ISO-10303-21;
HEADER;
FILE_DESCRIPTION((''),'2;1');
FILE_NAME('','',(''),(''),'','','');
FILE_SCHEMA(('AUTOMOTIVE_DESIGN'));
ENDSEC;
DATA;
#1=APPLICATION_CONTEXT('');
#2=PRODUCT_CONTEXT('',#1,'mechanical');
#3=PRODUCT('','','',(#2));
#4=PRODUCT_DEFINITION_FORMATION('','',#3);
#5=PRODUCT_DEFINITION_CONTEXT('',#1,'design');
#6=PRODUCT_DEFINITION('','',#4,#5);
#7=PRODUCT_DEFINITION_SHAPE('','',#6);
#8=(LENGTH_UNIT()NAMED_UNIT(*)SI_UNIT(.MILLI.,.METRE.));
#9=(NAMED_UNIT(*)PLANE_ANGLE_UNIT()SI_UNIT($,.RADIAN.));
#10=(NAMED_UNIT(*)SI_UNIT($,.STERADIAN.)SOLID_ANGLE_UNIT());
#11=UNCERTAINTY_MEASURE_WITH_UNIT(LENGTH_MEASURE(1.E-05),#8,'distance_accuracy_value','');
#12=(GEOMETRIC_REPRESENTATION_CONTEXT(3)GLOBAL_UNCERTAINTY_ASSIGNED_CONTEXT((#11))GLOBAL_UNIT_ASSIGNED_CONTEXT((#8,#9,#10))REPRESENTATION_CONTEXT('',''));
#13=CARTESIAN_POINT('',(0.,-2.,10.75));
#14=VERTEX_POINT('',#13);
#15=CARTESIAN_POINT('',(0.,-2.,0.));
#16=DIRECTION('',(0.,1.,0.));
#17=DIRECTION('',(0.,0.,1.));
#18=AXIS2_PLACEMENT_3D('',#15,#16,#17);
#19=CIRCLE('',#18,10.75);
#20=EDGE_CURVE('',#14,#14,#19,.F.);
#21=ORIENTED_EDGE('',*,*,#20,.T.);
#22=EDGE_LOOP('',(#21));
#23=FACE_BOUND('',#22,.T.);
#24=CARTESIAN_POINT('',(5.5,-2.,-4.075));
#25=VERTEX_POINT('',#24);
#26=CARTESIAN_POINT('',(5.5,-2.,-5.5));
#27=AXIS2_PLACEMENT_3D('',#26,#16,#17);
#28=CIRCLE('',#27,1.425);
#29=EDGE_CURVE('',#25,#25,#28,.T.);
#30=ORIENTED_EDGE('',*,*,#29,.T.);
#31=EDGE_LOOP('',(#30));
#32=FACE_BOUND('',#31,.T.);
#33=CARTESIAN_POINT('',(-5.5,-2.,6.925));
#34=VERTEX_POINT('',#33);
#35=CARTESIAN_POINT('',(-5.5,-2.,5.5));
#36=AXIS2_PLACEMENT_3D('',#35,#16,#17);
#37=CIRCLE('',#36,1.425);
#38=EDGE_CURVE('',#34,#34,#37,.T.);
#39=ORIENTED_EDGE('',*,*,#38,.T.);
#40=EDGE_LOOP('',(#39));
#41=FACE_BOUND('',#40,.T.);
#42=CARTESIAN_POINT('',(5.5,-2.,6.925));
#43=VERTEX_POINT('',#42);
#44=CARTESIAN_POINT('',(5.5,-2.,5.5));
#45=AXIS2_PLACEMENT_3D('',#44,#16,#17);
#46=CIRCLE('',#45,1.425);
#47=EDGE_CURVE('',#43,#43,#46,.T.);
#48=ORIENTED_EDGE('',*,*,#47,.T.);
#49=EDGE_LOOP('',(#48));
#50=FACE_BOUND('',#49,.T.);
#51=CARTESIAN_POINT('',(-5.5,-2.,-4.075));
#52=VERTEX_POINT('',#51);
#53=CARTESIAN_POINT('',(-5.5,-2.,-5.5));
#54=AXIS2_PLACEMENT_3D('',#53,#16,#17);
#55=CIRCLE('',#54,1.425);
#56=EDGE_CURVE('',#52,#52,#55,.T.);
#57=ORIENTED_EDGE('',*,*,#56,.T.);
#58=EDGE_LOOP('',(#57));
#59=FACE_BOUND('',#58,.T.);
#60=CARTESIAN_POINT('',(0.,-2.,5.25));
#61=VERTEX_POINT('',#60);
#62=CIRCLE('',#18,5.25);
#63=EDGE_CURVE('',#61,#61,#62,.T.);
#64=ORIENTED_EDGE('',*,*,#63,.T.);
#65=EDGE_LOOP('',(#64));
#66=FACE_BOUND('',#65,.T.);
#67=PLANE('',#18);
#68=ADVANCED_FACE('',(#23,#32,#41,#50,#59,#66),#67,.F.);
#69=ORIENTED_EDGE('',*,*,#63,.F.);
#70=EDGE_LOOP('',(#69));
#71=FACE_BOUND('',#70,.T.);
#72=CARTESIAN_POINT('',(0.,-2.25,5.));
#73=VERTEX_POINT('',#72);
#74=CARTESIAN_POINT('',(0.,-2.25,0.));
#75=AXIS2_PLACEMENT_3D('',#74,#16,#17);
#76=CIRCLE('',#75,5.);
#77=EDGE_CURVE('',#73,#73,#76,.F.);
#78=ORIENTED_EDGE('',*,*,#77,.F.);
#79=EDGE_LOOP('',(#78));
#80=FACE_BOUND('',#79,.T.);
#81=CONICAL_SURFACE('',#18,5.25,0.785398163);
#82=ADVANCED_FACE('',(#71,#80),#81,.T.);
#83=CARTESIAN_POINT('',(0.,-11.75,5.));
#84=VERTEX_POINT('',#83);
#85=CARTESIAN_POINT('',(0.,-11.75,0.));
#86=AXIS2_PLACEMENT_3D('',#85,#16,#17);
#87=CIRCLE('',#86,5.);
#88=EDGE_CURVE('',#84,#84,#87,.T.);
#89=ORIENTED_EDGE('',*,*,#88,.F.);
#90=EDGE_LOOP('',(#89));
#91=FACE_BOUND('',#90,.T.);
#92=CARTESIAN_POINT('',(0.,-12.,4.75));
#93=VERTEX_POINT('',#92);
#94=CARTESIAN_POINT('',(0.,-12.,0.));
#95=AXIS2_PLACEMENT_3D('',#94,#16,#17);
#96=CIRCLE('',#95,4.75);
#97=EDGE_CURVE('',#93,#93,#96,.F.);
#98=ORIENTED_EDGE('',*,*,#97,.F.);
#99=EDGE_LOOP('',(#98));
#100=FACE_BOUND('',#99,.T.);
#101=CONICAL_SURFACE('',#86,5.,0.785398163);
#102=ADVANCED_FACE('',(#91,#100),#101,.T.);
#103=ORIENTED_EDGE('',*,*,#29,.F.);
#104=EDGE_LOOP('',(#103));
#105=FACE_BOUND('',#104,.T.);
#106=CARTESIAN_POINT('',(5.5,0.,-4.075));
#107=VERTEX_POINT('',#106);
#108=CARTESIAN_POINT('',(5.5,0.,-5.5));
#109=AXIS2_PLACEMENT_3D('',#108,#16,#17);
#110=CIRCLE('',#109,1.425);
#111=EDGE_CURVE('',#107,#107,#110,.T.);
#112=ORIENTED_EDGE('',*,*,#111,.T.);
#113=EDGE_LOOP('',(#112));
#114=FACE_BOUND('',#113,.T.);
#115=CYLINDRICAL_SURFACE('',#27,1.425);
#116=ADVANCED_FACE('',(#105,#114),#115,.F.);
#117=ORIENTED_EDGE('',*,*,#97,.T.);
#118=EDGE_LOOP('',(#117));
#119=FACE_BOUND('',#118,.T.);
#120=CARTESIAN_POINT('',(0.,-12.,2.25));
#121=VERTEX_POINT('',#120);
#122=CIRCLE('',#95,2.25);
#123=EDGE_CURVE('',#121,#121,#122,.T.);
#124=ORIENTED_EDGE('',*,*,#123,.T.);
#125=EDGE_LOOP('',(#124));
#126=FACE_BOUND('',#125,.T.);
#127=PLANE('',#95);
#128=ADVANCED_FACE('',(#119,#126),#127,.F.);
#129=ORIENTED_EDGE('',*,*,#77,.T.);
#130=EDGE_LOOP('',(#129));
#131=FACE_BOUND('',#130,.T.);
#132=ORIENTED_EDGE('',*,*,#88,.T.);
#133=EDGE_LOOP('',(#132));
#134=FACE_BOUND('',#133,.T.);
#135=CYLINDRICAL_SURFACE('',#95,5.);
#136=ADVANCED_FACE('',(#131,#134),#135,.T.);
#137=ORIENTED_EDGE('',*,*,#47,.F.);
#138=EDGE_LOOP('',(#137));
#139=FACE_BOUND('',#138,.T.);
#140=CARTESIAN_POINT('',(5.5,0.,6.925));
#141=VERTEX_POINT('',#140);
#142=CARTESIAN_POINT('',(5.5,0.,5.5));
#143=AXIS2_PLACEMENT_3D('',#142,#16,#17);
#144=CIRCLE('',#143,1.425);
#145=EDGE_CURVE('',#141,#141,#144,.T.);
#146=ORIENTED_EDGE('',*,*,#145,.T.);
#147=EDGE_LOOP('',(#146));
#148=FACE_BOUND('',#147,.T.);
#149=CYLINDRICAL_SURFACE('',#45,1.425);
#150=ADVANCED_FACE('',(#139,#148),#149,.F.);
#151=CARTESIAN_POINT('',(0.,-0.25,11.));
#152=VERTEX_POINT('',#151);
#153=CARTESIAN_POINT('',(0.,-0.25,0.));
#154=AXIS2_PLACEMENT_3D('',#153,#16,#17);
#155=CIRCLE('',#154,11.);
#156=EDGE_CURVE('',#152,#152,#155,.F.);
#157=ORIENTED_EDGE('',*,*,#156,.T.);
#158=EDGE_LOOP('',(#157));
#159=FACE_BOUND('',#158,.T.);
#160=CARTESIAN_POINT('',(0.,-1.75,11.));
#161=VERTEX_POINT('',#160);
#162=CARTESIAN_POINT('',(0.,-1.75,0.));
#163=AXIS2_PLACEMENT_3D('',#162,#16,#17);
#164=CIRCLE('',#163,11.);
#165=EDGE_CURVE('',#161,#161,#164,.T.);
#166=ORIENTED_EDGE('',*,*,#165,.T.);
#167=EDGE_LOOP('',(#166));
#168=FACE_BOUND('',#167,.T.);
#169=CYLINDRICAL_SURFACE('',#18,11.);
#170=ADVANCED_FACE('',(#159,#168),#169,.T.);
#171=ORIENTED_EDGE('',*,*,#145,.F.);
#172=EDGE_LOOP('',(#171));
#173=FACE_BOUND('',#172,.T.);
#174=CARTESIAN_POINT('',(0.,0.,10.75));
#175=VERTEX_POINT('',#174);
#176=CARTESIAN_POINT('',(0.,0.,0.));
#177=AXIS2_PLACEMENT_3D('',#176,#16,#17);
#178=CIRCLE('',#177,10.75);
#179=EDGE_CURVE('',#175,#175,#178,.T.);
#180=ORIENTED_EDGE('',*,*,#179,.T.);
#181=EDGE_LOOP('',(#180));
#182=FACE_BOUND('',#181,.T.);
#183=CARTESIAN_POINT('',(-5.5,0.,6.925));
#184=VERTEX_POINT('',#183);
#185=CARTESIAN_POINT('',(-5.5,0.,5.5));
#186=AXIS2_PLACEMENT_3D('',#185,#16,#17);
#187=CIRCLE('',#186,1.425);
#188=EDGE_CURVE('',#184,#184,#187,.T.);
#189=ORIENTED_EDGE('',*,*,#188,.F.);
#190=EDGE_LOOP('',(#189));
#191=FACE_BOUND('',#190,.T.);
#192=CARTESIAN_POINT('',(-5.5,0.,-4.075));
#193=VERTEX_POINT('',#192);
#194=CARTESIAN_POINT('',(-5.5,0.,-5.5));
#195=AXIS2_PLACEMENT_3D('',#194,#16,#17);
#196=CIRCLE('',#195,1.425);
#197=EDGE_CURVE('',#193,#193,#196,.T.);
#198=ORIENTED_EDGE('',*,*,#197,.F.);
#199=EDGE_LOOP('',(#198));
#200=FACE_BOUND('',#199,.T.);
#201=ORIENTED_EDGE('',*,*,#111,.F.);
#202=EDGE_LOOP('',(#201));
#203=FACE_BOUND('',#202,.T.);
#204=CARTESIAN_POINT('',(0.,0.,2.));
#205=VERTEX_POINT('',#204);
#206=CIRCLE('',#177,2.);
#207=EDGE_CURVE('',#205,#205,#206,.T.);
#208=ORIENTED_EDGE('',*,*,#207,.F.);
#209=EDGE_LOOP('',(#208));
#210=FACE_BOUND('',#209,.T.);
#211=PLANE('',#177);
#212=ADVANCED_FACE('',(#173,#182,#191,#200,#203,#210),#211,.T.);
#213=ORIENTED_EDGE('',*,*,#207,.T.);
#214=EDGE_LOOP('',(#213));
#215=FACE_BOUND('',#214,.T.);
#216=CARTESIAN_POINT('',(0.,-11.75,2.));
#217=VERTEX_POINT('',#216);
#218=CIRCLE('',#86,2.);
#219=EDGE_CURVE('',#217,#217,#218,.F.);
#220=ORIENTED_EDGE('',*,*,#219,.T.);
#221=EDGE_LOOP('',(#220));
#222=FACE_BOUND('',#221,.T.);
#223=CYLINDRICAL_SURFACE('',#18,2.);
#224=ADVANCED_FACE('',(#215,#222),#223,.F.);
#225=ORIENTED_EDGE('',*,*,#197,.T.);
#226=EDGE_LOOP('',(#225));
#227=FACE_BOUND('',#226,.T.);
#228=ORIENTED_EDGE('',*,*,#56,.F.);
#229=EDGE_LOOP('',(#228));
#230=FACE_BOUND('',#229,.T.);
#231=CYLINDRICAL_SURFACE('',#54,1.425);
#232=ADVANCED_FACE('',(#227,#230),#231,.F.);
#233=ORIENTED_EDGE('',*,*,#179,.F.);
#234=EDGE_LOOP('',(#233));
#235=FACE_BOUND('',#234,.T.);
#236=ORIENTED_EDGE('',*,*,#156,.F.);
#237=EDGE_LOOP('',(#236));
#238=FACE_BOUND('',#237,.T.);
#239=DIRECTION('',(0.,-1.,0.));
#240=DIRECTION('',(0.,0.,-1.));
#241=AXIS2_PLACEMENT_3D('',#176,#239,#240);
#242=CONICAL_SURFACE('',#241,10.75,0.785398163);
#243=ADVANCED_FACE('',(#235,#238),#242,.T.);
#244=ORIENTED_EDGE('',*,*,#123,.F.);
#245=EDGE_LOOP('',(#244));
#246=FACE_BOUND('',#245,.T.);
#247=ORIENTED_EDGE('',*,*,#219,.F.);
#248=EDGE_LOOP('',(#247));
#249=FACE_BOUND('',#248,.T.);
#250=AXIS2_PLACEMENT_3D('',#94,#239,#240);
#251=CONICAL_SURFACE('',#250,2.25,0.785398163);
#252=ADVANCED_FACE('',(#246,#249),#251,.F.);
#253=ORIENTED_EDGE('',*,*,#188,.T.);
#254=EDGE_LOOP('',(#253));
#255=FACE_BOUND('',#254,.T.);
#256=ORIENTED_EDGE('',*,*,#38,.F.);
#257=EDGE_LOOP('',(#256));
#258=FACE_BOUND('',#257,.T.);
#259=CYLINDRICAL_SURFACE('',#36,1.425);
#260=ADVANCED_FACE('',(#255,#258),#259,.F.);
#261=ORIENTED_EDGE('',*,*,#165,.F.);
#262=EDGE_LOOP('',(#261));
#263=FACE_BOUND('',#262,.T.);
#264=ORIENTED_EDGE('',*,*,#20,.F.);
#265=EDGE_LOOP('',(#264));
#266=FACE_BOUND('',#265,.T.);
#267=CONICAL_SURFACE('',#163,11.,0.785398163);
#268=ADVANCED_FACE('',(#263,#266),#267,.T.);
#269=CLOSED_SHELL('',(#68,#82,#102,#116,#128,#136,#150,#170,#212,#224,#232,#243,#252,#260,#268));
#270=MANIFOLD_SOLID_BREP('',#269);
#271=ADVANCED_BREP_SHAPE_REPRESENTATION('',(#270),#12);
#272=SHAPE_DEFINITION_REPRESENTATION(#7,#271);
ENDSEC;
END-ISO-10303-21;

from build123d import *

# Parameters (mm, degrees)
SKETCH1_R           = 11
SKETCH1_R_2         = 2
SKETCH1_R_3         = 1.425
BOSS_EXTRUDE1_DEPTH = 2
SKETCH1_3_R         = 5
SKETCH1_3_R_2       = 2
BOSS_EXTRUDE2_DEPTH = 12
CHAMFER1_SIZE       = 0.25


with BuildPart() as part:
    # Sketch1 → Boss-Extrude1 (new body)
    with BuildSketch(Plane(origin=(0, 0, 0), x_dir=(1, 0, 0), z_dir=(0, 1, 0))):
        Circle(SKETCH1_R)
        Circle(SKETCH1_R_2, mode=Mode.SUBTRACT)
        with Locations((-5.5, 5.5)):
            Circle(SKETCH1_R_3, mode=Mode.SUBTRACT)
        with Locations((5.5, 5.5)):
            Circle(SKETCH1_R_3, mode=Mode.SUBTRACT)
        with Locations((5.5, -5.5)):
            Circle(SKETCH1_R_3, mode=Mode.SUBTRACT)
        with Locations((-5.5, -5.5)):
            Circle(SKETCH1_R_3, mode=Mode.SUBTRACT)
    extrude(amount=-BOSS_EXTRUDE1_DEPTH)

    # Sketch1<3> → Boss-Extrude2 (add)
    with BuildSketch(Plane(origin=(0, 0, 0), x_dir=(1, 0, 0), z_dir=(0, 1, 0))):
        Circle(SKETCH1_3_R)
        Circle(SKETCH1_3_R_2, mode=Mode.SUBTRACT)
    extrude(amount=-BOSS_EXTRUDE2_DEPTH)

    # Chamfer1
    chamfer1_edges = [part.edges().sort_by_distance(p)[0] for p in [
        (-5, -12, 0),
        (-5, -2, 0),
        (-2, -12, 0),
        (-11, -2, 0),
        (-11, 0, 0),
    ]]
    chamfer(chamfer1_edges, length=CHAMFER1_SIZE)


solid = part.part
